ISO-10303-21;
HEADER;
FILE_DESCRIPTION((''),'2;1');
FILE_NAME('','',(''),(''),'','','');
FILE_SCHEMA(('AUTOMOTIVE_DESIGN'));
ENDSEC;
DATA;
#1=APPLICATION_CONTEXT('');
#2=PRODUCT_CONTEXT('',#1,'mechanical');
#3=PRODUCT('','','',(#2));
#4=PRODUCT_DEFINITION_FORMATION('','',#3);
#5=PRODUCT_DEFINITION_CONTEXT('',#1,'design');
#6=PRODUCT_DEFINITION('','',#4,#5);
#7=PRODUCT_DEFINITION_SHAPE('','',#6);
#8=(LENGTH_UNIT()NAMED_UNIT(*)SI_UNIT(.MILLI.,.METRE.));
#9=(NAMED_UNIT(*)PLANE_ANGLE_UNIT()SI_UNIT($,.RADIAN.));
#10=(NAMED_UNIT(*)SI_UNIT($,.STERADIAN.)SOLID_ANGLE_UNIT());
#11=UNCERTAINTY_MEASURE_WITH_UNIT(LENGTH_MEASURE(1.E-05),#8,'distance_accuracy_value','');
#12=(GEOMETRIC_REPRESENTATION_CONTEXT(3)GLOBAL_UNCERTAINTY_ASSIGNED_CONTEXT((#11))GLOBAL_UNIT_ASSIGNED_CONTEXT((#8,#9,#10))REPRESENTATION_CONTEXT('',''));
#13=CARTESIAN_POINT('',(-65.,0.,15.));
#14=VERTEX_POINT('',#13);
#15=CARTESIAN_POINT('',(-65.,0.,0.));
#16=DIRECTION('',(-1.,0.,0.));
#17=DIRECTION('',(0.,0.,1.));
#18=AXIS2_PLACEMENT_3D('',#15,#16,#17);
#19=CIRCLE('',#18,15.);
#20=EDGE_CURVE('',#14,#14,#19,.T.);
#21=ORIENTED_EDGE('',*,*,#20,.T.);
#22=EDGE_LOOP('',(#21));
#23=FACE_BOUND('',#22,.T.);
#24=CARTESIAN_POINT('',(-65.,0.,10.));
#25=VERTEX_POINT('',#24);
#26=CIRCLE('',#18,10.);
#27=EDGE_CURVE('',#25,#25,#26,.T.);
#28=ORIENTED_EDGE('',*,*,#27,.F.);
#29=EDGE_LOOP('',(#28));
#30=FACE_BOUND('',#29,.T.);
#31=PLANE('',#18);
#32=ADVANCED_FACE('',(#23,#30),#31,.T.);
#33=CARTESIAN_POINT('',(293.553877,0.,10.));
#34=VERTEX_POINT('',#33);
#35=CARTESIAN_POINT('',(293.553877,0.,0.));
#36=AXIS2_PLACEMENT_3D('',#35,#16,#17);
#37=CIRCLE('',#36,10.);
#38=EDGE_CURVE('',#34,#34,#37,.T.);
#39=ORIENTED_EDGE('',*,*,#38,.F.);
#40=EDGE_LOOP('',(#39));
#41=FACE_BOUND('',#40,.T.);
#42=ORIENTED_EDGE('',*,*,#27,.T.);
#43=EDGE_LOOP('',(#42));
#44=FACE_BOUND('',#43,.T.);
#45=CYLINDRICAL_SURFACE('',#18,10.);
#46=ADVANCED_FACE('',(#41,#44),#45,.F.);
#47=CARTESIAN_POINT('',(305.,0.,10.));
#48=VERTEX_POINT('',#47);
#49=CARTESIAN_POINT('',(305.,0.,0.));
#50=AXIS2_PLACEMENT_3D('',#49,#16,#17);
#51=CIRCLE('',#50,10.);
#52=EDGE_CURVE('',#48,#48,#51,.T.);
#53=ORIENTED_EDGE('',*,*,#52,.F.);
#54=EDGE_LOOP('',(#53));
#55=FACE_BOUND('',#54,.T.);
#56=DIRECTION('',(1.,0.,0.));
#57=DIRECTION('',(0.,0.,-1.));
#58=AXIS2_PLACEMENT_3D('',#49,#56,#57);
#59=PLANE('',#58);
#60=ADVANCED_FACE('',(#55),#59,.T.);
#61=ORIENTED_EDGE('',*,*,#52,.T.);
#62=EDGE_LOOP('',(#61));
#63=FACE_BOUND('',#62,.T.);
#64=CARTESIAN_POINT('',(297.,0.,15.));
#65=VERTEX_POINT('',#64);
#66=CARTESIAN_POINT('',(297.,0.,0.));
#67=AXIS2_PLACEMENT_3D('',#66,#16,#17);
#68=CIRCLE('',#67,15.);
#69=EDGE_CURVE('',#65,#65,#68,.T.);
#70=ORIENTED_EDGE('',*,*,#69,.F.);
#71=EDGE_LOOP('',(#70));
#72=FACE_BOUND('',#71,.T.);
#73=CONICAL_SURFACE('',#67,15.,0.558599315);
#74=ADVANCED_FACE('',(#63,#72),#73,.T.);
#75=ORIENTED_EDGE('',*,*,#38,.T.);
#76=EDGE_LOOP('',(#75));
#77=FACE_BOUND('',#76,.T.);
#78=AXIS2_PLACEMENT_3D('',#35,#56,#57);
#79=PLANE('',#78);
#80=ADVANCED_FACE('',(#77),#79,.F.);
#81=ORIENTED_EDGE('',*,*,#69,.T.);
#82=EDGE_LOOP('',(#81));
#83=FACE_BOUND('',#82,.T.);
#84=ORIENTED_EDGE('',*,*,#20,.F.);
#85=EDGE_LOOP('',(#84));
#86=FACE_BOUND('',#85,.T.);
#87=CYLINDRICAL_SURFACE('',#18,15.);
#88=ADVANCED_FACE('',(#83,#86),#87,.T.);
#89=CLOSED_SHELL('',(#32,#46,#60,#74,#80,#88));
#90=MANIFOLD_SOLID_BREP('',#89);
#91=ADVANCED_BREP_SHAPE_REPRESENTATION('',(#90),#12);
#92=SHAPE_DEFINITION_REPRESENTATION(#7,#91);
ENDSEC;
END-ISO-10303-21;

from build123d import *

# Parameters (mm, degrees)
SKETCH2_W = 11.446123423
SKETCH2_H = 10


with BuildPart() as part:
    # Sketch2 → Revolve2 (revolve)
    with BuildSketch(Plane.XY):
        Polygon((65, -10), (-65, -10), (-65, -15), (65, -15), (255, -15), (297, -15), (305, -10), (293.553876577, -10), align=None)
        with Locations((299.276938288, -5)):
            Rectangle(SKETCH2_W, SKETCH2_H)
    revolve(axis=Axis((-65, 0, 0), (1, 0, 0)))


solid = part.part
